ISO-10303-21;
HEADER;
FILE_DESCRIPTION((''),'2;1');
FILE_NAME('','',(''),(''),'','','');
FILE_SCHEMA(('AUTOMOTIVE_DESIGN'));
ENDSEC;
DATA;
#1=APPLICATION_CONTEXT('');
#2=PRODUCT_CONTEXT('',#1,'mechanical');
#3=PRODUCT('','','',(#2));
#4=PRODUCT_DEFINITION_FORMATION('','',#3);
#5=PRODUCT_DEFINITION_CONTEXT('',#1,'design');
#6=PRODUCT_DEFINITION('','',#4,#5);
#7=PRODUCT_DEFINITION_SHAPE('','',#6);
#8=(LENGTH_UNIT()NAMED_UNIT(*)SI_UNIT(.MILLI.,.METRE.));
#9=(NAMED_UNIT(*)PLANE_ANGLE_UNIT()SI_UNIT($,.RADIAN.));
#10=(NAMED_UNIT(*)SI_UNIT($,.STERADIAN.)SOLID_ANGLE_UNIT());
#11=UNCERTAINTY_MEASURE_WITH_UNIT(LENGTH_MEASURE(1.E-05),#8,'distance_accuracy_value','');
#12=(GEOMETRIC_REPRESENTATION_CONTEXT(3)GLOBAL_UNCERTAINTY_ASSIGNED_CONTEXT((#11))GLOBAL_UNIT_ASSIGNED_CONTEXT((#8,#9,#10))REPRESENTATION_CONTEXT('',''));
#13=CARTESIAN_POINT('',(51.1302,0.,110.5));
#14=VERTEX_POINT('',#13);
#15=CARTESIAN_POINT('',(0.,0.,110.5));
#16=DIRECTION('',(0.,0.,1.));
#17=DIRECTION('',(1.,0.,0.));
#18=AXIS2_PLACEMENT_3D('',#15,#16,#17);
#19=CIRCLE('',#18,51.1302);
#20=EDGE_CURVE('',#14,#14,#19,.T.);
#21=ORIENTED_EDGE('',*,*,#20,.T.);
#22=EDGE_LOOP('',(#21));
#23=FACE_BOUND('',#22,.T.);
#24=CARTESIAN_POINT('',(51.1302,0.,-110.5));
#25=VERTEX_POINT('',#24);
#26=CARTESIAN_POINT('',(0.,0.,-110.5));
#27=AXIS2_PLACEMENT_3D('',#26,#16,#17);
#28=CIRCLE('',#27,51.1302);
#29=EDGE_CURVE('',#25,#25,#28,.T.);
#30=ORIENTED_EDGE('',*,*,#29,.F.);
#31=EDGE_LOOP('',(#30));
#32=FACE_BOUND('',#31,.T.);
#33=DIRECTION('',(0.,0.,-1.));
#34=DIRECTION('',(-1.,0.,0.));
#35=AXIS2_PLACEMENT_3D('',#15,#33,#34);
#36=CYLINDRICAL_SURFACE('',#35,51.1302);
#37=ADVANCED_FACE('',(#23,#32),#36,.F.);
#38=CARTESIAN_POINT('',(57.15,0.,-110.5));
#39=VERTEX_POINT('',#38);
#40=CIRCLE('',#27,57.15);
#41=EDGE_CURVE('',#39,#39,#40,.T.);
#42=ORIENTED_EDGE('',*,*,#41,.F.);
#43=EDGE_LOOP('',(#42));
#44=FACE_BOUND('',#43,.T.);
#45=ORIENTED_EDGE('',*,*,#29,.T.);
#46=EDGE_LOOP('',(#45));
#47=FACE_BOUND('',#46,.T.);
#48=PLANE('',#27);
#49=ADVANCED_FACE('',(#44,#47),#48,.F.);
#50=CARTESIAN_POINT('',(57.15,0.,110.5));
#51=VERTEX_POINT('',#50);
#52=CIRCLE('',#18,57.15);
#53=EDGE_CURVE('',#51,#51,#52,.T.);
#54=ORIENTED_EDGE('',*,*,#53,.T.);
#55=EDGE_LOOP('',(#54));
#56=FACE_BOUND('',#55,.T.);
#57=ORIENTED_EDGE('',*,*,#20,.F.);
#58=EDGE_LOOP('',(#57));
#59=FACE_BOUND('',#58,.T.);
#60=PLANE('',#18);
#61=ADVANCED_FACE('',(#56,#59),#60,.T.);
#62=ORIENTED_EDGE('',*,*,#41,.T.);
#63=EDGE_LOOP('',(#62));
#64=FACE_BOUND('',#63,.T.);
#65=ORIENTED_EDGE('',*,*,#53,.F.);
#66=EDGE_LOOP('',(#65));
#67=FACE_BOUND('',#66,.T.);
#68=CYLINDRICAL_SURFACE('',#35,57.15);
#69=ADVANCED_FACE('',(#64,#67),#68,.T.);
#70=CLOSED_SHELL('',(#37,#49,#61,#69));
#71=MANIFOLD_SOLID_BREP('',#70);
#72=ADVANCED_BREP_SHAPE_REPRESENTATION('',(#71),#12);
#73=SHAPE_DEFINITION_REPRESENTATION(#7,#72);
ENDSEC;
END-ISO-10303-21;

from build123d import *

# Parameters (mm, degrees)
SKETCH1_R           = 57.15
SKETCH1_R_2         = 51.1302
EXTRUDE_THIN1_DEPTH = 110.5


with BuildPart() as part:
    # Sketch1 → Extrude-Thin1 (new body, symmetric)
    with BuildSketch(Plane.XY):
        Circle(SKETCH1_R)
        Circle(SKETCH1_R_2, mode=Mode.SUBTRACT)
    extrude(amount=EXTRUDE_THIN1_DEPTH, both=True)


solid = part.part
